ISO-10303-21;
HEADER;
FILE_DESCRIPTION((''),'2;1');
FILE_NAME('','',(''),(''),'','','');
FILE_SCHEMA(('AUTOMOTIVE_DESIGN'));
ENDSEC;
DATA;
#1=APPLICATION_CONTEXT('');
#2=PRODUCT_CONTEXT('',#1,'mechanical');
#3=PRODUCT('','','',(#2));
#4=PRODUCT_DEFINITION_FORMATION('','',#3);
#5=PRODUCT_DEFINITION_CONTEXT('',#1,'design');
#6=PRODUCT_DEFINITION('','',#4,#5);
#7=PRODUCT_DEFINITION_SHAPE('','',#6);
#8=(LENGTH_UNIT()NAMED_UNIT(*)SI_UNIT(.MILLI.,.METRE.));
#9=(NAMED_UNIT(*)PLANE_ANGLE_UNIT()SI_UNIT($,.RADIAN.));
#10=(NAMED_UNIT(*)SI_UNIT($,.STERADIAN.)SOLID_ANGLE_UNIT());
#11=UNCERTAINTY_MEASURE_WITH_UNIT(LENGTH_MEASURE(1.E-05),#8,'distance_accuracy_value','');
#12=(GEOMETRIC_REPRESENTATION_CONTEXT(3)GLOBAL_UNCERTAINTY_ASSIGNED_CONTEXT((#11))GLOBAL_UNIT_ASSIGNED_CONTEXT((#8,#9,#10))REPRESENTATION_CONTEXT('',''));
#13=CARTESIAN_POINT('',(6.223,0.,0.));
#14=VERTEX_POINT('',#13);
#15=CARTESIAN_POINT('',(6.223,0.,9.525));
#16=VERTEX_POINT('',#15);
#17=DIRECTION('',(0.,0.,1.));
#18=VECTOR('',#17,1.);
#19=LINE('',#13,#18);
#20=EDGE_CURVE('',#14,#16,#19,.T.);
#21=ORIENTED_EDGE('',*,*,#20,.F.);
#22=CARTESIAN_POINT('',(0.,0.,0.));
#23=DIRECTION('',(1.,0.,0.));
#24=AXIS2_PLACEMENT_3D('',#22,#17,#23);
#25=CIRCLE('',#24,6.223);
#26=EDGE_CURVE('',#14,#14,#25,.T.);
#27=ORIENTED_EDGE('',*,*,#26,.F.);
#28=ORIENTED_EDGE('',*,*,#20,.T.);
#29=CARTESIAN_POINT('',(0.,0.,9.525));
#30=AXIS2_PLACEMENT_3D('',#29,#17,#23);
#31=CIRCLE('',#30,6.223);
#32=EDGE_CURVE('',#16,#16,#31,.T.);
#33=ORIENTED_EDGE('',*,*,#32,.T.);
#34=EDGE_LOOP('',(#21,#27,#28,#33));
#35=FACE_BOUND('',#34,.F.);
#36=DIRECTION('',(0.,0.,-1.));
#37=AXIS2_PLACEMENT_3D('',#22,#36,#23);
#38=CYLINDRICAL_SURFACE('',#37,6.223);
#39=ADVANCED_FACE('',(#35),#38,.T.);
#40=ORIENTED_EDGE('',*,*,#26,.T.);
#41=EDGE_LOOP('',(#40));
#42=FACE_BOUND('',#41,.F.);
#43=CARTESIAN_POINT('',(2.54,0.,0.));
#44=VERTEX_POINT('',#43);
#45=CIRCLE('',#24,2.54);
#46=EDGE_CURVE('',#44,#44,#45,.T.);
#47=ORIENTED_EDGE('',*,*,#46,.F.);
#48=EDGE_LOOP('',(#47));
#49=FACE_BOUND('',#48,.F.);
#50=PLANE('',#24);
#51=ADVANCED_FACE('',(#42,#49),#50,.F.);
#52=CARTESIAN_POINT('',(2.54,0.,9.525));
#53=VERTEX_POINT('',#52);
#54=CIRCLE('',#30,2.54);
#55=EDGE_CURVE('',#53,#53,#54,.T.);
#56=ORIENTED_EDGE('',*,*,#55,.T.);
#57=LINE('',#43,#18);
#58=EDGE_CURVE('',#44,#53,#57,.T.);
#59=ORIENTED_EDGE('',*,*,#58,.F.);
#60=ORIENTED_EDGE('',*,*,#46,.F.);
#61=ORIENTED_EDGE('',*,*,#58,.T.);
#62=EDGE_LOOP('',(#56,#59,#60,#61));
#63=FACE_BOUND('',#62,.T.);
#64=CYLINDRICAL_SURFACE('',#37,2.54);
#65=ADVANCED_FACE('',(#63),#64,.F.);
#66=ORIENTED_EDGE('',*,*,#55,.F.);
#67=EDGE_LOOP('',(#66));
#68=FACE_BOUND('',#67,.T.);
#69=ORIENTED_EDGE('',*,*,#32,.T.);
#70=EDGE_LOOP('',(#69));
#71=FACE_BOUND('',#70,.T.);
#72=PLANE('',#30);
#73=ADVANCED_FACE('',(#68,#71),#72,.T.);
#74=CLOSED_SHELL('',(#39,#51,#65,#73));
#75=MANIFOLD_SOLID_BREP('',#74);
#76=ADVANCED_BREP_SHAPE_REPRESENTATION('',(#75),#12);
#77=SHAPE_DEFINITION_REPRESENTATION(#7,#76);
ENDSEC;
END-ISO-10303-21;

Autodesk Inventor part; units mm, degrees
ref_plane "YZ Plane" through (0, 0, 0) normal (1, 0, 0) x (0, 1, 0)
ref_plane "XZ Plane" through (0, 0, 0) normal (0, 1, 0) x (-1, 0, 0)
ref_plane "XY Plane" through (0, 0, 0) normal (0, 0, 1) x (1, 0, 0)
sketch "Sketch1" plane through (0, 0, 0) normal (0, 0, 1) x (1, 0, 0)
  circle A0 centre (0, 0) radius 2.54
  circle A1 centre (0, 0) radius 6.223
  dimension "d0" = 5.08
  dimension "d1" = 3.683
extrude "Extrusion1" add sketch "Sketch1" along normal blind 9.525
